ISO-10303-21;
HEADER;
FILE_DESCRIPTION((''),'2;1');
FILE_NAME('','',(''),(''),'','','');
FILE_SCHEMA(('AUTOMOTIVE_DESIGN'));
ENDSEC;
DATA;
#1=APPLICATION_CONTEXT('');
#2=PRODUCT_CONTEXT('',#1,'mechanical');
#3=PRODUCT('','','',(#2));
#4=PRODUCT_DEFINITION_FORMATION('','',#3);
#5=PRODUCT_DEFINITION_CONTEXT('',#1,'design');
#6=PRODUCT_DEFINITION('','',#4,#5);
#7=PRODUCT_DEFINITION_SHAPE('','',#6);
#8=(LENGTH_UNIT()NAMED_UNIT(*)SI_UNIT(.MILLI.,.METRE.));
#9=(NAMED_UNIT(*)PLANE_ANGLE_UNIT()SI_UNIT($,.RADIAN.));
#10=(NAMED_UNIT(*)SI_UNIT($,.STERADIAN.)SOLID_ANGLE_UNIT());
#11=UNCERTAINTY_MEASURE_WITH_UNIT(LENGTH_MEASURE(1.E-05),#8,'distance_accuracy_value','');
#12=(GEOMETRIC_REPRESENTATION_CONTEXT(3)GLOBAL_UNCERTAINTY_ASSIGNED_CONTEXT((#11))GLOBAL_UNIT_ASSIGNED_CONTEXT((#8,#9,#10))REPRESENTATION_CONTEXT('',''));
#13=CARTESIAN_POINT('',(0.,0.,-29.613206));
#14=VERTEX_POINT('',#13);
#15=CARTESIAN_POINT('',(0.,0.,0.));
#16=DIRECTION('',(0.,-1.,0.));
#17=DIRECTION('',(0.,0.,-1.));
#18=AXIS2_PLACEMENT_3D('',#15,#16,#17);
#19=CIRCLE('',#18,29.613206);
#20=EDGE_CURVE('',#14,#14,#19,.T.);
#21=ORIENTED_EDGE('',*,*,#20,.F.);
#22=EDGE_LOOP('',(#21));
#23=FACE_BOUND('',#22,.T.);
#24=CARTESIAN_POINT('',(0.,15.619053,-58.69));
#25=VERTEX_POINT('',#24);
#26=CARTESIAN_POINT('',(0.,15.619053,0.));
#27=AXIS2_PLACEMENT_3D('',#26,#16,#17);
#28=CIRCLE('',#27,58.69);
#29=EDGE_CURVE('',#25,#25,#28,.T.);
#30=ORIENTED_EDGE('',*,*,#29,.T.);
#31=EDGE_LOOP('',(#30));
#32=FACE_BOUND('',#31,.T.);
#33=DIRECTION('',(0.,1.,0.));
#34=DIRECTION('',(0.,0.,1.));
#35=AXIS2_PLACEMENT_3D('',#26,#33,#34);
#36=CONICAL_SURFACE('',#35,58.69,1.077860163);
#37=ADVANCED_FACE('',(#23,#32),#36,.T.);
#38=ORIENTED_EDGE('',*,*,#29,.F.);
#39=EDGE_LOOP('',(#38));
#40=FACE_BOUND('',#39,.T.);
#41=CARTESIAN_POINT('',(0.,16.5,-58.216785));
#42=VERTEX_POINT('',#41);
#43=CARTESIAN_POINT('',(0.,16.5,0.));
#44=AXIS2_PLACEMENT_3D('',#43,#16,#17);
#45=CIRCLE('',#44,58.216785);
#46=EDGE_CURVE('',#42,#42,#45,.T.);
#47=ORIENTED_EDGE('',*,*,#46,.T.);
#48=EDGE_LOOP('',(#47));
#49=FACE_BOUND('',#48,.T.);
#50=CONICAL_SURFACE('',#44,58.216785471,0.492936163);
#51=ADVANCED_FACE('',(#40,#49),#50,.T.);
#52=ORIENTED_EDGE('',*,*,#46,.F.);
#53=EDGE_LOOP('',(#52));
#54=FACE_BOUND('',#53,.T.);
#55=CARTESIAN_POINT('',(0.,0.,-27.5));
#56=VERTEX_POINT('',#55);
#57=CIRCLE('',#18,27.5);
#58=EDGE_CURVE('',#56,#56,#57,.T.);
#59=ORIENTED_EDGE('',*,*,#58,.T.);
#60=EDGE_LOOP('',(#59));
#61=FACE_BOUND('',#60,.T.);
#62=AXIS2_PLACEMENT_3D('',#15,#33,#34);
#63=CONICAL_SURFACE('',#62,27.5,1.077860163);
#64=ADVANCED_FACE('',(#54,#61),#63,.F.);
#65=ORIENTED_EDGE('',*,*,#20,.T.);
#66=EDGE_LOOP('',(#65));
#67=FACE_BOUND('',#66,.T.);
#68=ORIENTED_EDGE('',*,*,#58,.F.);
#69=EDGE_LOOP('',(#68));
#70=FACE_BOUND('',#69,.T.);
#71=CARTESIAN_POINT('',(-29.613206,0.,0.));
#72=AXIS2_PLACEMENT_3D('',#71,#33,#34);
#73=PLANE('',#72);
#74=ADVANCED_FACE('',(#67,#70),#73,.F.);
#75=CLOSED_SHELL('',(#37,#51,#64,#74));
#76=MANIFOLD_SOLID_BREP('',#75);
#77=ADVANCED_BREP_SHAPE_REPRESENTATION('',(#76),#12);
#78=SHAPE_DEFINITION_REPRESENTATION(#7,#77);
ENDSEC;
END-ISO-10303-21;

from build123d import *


with BuildPart() as part:
    # Sketch1 → Revolve1 (revolve)
    with BuildSketch(Plane.XY, mode=Mode.PRIVATE) as revolve1_sk:
        Polygon((-29.61320646, 0), (-58.69, 15.619052777), (-58.216785471, 16.5), (-27.5, 0), align=None)
    revolve(revolve1_sk.sketch.rotate(Axis((0, 0, 0), (0, 1, 0)), 270), axis=Axis((0, 0, 0), (0, 1, 0)))


solid = part.part
